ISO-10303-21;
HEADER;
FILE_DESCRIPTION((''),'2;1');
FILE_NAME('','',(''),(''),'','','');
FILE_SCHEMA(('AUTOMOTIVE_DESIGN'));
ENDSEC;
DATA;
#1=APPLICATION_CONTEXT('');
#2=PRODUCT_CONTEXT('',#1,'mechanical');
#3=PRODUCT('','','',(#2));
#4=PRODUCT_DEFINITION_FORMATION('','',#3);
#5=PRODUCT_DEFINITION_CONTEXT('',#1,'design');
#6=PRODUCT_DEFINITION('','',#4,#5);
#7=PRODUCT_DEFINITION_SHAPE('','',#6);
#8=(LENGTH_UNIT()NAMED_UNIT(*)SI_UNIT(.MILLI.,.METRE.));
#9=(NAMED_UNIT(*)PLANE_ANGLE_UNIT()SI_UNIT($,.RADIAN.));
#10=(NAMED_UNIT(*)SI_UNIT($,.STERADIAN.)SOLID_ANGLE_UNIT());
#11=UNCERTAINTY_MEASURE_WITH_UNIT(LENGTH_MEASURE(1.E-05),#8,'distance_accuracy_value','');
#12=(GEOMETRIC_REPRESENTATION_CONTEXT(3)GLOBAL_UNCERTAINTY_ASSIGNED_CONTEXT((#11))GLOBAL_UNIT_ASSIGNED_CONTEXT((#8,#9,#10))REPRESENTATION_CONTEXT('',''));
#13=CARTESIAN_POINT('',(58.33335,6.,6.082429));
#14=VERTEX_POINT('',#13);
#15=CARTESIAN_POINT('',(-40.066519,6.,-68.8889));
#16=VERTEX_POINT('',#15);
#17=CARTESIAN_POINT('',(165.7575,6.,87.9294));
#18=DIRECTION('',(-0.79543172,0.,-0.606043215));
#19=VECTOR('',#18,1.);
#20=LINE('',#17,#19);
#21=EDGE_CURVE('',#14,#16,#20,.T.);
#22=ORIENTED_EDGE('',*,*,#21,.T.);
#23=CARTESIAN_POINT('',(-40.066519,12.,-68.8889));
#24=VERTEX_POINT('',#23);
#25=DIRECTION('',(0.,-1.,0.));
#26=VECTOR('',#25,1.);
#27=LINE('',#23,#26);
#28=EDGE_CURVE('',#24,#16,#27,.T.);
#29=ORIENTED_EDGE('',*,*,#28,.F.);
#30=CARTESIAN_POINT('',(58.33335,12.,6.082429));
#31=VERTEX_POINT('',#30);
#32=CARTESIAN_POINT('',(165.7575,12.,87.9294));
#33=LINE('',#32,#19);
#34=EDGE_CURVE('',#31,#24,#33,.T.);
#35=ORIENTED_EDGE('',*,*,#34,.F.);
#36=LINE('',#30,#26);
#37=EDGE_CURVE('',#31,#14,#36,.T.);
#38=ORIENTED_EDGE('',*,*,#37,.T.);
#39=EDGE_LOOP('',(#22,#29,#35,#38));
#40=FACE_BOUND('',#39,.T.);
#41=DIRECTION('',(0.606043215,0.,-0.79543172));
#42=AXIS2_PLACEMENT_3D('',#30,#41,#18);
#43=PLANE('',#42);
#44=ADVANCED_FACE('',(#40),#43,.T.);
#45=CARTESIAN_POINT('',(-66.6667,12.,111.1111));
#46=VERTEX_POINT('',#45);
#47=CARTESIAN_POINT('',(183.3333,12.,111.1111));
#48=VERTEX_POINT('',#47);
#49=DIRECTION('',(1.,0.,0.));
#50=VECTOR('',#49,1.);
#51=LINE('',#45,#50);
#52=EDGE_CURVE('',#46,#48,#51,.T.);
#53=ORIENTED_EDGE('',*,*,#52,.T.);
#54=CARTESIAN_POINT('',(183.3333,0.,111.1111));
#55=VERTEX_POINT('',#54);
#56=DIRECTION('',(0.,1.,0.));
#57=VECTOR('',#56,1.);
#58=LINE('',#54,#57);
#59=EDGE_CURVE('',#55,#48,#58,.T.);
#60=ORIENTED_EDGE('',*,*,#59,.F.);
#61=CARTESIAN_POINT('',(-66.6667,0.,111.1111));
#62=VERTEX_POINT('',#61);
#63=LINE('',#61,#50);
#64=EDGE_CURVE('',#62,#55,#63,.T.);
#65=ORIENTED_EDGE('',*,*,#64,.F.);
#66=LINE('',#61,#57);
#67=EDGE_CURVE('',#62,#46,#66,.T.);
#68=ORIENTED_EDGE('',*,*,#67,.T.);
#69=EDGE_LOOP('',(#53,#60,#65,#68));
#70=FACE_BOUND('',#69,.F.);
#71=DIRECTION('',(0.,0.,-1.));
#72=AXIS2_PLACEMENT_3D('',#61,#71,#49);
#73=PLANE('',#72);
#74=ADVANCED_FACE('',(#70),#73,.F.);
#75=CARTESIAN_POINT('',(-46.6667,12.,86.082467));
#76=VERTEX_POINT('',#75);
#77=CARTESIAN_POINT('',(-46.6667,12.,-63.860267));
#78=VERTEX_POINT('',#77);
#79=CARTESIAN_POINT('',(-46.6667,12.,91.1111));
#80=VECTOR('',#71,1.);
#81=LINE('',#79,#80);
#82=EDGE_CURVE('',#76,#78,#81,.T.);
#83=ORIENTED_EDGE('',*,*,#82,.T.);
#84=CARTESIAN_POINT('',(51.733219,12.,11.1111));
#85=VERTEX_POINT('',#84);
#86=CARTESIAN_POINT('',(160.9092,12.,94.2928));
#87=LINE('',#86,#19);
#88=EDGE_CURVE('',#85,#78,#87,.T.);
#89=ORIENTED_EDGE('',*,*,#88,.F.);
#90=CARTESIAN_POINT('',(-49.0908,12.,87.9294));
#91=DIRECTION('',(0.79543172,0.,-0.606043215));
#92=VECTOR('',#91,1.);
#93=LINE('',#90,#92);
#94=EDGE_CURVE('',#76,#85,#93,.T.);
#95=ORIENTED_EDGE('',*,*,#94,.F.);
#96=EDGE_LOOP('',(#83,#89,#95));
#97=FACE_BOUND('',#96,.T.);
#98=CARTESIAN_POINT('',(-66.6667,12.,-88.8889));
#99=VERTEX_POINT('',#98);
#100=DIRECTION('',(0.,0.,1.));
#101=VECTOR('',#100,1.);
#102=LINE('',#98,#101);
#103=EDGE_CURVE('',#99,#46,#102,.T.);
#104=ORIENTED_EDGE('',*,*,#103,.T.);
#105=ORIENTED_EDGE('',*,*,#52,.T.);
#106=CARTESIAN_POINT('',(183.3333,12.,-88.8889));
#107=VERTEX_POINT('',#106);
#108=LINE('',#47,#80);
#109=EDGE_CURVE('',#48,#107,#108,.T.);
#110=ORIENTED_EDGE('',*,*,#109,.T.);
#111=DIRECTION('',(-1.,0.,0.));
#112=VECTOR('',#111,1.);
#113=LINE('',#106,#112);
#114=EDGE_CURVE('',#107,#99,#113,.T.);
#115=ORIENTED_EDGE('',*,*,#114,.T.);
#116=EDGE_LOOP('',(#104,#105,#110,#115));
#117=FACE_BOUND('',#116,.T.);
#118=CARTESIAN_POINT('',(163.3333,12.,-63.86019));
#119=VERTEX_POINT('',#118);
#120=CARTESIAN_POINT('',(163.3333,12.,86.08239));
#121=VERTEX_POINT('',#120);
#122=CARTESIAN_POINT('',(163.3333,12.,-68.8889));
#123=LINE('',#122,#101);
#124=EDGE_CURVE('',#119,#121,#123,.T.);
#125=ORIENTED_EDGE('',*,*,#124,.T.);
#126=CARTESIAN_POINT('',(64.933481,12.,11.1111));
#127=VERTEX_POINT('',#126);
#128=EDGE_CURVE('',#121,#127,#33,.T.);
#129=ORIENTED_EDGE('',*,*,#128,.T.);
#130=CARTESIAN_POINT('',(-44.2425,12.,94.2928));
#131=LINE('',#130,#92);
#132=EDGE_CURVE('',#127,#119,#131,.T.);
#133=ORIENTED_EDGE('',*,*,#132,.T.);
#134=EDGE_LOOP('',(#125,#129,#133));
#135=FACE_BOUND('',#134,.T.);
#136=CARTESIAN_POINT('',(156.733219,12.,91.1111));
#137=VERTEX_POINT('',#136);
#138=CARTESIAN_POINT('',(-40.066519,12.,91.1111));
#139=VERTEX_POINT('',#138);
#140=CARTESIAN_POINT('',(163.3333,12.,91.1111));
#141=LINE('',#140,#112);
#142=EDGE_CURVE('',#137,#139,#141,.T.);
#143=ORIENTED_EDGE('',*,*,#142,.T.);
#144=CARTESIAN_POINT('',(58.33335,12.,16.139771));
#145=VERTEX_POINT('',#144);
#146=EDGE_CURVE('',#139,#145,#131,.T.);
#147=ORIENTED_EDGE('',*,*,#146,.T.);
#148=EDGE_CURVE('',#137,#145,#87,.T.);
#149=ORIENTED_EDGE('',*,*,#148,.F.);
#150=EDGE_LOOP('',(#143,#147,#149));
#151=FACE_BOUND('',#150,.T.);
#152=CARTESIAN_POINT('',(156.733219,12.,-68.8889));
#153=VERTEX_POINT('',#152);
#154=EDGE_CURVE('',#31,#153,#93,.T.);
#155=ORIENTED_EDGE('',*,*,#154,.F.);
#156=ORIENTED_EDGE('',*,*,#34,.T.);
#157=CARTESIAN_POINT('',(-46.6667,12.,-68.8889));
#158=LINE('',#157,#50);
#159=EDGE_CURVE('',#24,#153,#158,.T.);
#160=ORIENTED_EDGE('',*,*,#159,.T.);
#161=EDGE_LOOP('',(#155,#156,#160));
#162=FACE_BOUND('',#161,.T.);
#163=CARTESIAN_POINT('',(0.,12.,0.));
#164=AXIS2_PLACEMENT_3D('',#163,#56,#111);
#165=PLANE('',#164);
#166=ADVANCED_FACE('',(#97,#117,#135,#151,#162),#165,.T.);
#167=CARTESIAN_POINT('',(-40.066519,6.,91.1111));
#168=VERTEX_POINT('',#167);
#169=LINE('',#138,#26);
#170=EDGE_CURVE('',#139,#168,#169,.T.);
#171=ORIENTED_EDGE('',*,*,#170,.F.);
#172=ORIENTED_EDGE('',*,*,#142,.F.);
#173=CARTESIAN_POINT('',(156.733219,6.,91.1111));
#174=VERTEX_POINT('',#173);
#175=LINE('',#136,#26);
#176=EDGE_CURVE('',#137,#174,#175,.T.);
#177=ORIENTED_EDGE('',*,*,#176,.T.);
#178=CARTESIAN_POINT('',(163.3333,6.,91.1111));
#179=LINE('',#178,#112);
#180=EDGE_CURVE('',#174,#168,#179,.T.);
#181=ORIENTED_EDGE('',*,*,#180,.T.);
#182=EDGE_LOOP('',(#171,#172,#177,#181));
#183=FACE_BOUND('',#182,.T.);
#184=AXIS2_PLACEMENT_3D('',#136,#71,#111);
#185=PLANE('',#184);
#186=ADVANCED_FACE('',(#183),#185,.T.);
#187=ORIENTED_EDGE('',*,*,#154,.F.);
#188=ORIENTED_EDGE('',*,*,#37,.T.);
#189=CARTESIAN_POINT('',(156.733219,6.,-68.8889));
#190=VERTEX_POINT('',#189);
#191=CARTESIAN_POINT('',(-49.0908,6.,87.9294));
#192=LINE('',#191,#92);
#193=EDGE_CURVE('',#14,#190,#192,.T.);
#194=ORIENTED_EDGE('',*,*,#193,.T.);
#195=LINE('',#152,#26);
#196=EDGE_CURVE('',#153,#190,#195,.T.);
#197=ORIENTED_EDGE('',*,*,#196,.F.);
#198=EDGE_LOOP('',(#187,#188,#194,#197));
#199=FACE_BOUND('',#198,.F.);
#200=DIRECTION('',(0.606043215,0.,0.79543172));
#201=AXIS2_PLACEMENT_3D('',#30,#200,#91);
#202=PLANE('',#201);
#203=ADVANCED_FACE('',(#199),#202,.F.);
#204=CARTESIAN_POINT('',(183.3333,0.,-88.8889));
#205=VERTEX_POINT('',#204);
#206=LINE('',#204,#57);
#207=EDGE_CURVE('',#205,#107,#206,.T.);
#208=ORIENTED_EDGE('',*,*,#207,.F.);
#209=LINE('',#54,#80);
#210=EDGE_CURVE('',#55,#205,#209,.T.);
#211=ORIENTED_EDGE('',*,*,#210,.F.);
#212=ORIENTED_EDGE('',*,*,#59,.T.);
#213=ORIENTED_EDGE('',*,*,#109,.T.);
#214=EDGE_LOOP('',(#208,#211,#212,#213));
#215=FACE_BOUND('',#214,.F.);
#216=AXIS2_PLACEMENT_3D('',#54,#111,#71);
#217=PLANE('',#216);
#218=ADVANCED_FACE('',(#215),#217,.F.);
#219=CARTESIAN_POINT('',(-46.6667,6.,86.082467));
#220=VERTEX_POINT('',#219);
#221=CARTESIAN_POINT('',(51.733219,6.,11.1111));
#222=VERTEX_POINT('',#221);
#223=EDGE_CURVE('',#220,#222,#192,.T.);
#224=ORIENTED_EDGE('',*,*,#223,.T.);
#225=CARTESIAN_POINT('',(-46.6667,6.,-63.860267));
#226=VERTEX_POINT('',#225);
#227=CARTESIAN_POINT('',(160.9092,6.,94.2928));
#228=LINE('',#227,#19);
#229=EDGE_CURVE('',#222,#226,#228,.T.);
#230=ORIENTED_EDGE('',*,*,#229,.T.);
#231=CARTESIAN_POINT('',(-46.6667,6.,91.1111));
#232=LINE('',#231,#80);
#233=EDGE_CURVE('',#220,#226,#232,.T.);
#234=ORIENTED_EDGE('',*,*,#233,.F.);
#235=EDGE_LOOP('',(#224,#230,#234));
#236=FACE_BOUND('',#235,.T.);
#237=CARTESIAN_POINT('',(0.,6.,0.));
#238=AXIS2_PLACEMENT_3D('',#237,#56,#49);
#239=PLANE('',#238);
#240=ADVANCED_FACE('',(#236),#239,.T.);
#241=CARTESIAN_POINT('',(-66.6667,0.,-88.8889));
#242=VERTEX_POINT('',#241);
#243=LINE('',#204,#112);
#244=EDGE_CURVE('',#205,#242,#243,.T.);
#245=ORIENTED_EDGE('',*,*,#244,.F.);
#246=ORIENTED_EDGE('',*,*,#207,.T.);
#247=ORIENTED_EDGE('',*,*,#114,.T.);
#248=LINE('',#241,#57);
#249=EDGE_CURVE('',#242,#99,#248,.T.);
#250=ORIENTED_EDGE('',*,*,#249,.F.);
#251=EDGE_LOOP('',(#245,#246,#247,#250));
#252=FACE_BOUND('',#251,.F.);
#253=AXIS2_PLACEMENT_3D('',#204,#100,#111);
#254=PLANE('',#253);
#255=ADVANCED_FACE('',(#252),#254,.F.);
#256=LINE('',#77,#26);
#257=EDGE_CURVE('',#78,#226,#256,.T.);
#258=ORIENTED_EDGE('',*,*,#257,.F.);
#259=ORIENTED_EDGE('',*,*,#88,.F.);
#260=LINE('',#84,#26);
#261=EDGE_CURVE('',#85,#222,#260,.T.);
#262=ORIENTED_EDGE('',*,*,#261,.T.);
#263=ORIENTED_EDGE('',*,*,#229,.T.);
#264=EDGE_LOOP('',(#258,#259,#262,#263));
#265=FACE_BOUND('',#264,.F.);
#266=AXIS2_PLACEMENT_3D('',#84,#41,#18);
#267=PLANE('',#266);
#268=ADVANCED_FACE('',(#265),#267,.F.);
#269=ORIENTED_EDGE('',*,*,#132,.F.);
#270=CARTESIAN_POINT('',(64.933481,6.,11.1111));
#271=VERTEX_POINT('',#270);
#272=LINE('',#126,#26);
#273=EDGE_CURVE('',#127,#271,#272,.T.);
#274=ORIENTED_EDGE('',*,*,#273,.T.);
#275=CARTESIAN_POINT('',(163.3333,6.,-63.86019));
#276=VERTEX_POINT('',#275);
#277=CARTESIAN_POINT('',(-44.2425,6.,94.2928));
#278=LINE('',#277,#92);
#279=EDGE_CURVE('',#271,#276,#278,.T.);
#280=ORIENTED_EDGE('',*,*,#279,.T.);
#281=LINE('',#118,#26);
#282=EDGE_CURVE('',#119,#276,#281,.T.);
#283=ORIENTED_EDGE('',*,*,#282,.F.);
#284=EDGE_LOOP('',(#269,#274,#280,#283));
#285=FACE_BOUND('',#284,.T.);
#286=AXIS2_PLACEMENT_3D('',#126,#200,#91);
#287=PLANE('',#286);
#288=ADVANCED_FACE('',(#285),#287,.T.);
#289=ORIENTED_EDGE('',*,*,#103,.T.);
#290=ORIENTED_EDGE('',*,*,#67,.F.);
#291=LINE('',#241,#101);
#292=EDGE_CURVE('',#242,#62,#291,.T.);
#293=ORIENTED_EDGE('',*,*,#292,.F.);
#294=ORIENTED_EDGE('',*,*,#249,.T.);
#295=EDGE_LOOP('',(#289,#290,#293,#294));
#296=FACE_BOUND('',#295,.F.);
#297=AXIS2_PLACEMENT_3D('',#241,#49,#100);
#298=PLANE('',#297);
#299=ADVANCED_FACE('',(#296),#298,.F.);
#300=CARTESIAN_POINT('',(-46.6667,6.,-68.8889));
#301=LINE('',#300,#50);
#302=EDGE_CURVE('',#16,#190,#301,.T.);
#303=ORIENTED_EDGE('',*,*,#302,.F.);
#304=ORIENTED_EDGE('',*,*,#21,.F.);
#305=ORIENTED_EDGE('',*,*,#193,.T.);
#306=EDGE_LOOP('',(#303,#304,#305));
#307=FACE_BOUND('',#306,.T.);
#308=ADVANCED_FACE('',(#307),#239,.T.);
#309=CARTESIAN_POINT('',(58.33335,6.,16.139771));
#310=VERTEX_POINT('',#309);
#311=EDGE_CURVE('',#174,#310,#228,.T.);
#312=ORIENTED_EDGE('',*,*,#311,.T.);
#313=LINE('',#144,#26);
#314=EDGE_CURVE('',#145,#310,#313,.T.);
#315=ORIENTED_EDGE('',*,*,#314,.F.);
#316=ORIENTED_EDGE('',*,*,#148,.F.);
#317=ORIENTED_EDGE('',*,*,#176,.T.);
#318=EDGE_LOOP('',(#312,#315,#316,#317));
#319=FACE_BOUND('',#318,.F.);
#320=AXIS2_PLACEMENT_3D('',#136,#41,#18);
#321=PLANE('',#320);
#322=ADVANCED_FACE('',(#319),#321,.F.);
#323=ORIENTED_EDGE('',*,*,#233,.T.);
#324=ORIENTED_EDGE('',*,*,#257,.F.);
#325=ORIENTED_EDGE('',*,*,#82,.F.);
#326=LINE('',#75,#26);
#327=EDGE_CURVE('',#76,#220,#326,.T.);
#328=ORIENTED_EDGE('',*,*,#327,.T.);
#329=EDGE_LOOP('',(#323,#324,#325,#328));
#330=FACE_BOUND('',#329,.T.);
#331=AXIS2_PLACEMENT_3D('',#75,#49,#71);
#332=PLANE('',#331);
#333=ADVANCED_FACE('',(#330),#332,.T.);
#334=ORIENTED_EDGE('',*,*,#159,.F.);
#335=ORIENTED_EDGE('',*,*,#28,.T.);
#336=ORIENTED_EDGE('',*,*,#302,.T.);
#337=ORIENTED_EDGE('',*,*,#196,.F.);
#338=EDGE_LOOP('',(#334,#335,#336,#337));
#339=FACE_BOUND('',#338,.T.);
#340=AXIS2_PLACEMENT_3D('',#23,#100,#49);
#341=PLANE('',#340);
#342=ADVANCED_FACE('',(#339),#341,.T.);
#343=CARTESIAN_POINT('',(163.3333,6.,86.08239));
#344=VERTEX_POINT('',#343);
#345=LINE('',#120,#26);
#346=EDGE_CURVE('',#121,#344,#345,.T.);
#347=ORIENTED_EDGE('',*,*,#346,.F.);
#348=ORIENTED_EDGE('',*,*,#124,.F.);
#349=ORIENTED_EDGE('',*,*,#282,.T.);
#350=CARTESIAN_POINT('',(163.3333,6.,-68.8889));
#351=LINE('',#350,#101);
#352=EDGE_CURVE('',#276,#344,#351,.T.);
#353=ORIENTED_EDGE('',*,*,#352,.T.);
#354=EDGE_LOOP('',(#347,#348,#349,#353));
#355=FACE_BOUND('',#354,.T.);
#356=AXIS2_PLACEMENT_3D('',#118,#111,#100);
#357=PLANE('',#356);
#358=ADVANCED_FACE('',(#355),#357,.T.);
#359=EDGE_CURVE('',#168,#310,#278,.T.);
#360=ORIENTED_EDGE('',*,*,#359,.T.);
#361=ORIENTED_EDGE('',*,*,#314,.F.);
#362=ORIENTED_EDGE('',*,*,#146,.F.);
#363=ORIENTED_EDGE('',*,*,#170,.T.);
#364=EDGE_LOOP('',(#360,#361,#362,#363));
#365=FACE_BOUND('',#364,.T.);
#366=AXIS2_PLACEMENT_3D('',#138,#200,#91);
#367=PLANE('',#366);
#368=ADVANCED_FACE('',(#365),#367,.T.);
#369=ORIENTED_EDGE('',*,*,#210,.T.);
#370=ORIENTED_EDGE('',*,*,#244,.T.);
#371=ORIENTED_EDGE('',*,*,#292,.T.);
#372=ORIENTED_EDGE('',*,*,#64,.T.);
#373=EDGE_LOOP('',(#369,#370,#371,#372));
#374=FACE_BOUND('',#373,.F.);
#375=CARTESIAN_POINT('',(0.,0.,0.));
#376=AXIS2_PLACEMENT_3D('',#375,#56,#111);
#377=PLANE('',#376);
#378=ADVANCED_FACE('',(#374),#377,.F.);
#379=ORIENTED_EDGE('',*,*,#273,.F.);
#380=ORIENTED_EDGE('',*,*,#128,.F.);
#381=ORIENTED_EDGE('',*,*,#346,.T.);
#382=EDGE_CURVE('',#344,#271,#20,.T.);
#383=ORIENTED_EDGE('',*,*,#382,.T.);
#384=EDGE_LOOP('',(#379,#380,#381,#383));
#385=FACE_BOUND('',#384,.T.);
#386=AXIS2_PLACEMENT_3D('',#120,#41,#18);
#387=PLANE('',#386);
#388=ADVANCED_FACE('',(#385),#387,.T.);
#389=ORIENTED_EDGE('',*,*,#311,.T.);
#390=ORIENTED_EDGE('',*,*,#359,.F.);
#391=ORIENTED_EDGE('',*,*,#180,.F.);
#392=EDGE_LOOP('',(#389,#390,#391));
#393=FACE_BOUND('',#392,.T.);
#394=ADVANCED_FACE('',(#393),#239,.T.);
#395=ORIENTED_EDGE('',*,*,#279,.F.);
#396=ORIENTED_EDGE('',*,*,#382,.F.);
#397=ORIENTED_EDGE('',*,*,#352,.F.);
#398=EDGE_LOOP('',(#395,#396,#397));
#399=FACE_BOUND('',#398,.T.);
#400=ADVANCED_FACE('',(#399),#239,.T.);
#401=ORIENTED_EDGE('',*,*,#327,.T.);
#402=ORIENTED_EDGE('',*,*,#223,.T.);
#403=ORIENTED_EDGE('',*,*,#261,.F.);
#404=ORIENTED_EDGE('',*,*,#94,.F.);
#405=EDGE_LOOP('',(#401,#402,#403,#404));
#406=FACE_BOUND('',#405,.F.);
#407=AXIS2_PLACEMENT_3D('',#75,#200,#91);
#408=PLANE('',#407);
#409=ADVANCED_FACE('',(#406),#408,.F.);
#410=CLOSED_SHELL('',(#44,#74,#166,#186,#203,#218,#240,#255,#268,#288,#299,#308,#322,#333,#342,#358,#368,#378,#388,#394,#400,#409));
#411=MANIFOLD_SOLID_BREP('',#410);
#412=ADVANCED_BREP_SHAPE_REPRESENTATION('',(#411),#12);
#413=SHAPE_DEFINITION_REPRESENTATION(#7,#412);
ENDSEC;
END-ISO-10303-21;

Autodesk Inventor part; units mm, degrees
ref_plane "YZ Plane" through (0, 0, 0) normal (1, 0, 0) x (0, 1, 0)
ref_plane "XZ Plane" through (0, 0, 0) normal (0, 1, 0) x (-1, 0, 0)
ref_plane "XY Plane" through (0, 0, 0) normal (0, 0, 1) x (1, 0, 0)
sketch "Sketch1" plane through (0, 0, 0) normal (0, 1, 0) x (-1, 0, 0)
  line L0 (66.6667, 111.1111) -> (-183.3333, 111.1111)
  line L1 (-183.3333, 111.1111) -> (-183.3333, -88.8889)
  line L2 (-183.3333, -88.8889) -> (66.6667, -88.8889)
  line L3 (66.6667, -88.8889) -> (66.6667, 111.1111)
  point P0 (0, 0)
  dimension "d0" = 200
  dimension "d1" = 250
extrude "Extrusion1" add sketch "Sketch1" along normal blind 12
sketch "Sketch2" plane through (0, 12, 0) normal (0, 1, 0) x (1, 0, 0)
  line L0 (183.3333, -111.1111) -> (183.3333, 88.8889) projected
  line L1 (183.3333, 88.8889) -> (-66.6667, 88.8889) projected
  line L2 (-66.6667, 88.8889) -> (-66.6667, -111.1111) projected
  line L3 (-66.6667, -111.1111) -> (183.3333, -111.1111) projected
  line L4 (-46.6667, -91.1111) -> (-46.6667, 68.8889)
  line L5 (-46.6667, 68.8889) -> (163.3333, 68.8889)
  line L6 (163.3333, 68.8889) -> (163.3333, -91.1111)
  line L7 (163.3333, -91.1111) -> (-46.6667, -91.1111)
  line L8 (-46.6667, -91.1111) -> (163.3333, 68.8889)
  line L9 (163.3333, -91.1111) -> (-46.6667, 68.8889)
  line L10 (160.9092, -94.2928) -> (-49.0908, 65.7072)
  line L11 (165.7575, -87.9294) -> (-44.2425, 72.0706)
  line L12 (-49.0908, -87.9294) -> (160.9092, 72.0706)
  line L13 (-44.2425, -94.2928) -> (165.7575, 65.7072)
  point P0 (0, 0)
  point P1 (58.3333, -16.1398)
  point P2 (-40.0665, -91.1111)
  point P3 (156.7331, -91.1111)
  point P4 (163.3333, 63.8602)
  point P5 (64.9335, -11.1111)
  point P6 (163.3333, -86.0824)
  point P7 (58.3333, -6.0824)
  point P8 (156.7331, 68.8889)
  point P9 (-40.0665, 68.8889)
  point P10 (-46.6667, -86.0824)
  point P11 (51.7331, -11.1111)
  point P12 (-46.6667, 63.8602)
  dimension "d4" = 20
  dimension "d5" = 4
  dimension "d6" = 4
  dimension "d7" = 4
  dimension "d8" = 4
extrude "Extrusion2" cut sketch "Sketch2" against normal blind 6 contours L4 L10 L12 | L13 L10 L7 | L5 L12 L11 | L11 L13 L6
properties part number "planeDerzavki" material "Aluminum 6061"
